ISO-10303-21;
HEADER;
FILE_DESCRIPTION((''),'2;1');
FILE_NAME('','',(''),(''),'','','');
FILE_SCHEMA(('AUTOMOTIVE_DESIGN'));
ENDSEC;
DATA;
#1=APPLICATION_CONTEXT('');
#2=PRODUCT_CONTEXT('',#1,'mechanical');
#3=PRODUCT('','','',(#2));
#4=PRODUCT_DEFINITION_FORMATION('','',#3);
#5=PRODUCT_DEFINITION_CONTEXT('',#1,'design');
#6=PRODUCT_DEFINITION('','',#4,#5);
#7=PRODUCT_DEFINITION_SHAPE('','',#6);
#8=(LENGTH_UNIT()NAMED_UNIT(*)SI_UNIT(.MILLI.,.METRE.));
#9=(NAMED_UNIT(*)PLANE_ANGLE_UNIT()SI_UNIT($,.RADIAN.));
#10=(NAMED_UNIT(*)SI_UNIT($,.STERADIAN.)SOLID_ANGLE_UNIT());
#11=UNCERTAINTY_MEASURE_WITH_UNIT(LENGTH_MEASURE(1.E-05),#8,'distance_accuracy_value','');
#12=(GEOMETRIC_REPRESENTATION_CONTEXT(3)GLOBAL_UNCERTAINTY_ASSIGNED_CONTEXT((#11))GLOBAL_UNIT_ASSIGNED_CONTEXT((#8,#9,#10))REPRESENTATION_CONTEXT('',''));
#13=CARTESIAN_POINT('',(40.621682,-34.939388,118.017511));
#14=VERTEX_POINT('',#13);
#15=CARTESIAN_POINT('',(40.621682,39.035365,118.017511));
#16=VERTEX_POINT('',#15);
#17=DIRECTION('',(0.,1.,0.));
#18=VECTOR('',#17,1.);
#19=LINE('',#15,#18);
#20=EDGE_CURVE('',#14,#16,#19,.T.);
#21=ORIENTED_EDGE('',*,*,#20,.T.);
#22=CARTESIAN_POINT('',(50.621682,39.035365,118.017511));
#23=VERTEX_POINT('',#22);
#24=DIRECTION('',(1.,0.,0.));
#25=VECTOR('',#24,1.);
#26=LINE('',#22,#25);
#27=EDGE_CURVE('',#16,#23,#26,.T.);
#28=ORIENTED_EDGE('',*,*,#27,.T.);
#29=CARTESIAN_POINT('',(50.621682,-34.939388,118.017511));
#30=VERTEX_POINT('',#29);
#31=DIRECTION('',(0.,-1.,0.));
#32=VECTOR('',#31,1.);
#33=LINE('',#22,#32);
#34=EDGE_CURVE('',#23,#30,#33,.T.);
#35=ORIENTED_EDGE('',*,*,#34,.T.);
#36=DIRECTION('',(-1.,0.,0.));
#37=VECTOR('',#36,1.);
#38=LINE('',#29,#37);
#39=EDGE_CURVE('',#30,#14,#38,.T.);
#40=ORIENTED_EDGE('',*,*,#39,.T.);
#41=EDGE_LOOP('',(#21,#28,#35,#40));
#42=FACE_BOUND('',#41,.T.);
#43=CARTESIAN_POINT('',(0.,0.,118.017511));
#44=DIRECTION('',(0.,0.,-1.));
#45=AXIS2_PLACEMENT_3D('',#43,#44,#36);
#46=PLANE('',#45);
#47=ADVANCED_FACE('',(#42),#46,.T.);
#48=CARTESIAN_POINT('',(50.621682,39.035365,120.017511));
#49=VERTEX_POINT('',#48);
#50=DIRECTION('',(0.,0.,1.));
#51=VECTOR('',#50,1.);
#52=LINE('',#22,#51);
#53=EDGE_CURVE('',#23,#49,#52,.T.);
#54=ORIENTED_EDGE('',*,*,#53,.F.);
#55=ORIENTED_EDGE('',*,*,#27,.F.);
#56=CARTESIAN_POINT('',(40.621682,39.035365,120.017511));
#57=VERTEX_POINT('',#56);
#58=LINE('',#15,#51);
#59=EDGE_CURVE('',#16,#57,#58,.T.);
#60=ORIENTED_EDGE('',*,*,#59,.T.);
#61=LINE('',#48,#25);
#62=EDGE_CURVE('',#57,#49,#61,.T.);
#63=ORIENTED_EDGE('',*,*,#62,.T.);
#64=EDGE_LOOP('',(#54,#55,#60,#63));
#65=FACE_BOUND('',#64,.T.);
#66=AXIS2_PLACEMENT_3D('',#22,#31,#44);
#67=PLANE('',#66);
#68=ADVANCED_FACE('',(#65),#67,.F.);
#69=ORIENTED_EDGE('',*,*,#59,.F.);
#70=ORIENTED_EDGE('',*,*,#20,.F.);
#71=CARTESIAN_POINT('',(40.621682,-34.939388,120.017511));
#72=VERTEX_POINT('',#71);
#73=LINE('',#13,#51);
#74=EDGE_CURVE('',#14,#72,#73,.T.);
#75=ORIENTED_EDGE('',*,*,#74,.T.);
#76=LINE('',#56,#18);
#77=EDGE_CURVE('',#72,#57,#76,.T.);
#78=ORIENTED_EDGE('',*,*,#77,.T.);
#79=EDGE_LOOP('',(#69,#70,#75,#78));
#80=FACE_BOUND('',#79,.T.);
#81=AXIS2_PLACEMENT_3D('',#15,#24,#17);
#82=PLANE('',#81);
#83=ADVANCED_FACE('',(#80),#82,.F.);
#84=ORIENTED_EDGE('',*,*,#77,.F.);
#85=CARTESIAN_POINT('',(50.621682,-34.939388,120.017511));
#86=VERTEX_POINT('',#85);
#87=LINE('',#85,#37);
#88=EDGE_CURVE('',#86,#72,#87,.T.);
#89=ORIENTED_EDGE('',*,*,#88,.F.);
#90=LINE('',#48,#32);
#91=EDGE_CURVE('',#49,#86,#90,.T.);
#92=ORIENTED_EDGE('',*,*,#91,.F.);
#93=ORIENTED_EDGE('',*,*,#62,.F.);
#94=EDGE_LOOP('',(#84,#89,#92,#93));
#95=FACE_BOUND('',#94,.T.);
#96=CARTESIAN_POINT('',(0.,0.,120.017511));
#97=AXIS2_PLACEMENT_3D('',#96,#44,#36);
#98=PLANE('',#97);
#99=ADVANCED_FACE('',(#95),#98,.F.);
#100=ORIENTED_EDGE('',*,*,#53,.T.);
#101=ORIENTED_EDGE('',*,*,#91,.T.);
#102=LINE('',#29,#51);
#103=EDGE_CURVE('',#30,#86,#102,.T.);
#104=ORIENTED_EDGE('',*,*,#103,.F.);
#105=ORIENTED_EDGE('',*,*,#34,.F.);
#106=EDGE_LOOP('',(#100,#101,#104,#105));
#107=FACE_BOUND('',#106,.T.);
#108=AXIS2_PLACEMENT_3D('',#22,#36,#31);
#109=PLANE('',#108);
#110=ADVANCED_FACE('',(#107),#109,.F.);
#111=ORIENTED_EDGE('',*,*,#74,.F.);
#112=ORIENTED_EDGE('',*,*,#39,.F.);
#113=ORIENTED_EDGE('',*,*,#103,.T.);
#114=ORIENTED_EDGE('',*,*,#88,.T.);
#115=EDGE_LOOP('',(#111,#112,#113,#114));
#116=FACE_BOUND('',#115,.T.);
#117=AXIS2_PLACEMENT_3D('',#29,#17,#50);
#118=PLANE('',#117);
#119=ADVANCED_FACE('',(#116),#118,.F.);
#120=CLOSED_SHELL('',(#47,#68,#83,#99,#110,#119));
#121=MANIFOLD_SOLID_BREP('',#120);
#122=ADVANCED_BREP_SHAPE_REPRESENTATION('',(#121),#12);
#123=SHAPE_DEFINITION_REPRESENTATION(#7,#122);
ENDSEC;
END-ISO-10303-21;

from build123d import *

# Parameters (mm, degrees)
SKETCH_1_W      = 10
SKETCH_1_H      = 73.974752349
EXTRUDE_1_DEPTH = 2


with BuildPart() as part:
    # 草图1 → 凸台-拉伸1 (new body)
    with BuildSketch(Plane(origin=(0, 0, 120.017510674), x_dir=(-1, 0, 0), z_dir=(0, 0, -1))):
        with Locations((-45.621681972, 2.047988451)):
            Rectangle(SKETCH_1_W, SKETCH_1_H)
    extrude(amount=EXTRUDE_1_DEPTH)


solid = part.part
